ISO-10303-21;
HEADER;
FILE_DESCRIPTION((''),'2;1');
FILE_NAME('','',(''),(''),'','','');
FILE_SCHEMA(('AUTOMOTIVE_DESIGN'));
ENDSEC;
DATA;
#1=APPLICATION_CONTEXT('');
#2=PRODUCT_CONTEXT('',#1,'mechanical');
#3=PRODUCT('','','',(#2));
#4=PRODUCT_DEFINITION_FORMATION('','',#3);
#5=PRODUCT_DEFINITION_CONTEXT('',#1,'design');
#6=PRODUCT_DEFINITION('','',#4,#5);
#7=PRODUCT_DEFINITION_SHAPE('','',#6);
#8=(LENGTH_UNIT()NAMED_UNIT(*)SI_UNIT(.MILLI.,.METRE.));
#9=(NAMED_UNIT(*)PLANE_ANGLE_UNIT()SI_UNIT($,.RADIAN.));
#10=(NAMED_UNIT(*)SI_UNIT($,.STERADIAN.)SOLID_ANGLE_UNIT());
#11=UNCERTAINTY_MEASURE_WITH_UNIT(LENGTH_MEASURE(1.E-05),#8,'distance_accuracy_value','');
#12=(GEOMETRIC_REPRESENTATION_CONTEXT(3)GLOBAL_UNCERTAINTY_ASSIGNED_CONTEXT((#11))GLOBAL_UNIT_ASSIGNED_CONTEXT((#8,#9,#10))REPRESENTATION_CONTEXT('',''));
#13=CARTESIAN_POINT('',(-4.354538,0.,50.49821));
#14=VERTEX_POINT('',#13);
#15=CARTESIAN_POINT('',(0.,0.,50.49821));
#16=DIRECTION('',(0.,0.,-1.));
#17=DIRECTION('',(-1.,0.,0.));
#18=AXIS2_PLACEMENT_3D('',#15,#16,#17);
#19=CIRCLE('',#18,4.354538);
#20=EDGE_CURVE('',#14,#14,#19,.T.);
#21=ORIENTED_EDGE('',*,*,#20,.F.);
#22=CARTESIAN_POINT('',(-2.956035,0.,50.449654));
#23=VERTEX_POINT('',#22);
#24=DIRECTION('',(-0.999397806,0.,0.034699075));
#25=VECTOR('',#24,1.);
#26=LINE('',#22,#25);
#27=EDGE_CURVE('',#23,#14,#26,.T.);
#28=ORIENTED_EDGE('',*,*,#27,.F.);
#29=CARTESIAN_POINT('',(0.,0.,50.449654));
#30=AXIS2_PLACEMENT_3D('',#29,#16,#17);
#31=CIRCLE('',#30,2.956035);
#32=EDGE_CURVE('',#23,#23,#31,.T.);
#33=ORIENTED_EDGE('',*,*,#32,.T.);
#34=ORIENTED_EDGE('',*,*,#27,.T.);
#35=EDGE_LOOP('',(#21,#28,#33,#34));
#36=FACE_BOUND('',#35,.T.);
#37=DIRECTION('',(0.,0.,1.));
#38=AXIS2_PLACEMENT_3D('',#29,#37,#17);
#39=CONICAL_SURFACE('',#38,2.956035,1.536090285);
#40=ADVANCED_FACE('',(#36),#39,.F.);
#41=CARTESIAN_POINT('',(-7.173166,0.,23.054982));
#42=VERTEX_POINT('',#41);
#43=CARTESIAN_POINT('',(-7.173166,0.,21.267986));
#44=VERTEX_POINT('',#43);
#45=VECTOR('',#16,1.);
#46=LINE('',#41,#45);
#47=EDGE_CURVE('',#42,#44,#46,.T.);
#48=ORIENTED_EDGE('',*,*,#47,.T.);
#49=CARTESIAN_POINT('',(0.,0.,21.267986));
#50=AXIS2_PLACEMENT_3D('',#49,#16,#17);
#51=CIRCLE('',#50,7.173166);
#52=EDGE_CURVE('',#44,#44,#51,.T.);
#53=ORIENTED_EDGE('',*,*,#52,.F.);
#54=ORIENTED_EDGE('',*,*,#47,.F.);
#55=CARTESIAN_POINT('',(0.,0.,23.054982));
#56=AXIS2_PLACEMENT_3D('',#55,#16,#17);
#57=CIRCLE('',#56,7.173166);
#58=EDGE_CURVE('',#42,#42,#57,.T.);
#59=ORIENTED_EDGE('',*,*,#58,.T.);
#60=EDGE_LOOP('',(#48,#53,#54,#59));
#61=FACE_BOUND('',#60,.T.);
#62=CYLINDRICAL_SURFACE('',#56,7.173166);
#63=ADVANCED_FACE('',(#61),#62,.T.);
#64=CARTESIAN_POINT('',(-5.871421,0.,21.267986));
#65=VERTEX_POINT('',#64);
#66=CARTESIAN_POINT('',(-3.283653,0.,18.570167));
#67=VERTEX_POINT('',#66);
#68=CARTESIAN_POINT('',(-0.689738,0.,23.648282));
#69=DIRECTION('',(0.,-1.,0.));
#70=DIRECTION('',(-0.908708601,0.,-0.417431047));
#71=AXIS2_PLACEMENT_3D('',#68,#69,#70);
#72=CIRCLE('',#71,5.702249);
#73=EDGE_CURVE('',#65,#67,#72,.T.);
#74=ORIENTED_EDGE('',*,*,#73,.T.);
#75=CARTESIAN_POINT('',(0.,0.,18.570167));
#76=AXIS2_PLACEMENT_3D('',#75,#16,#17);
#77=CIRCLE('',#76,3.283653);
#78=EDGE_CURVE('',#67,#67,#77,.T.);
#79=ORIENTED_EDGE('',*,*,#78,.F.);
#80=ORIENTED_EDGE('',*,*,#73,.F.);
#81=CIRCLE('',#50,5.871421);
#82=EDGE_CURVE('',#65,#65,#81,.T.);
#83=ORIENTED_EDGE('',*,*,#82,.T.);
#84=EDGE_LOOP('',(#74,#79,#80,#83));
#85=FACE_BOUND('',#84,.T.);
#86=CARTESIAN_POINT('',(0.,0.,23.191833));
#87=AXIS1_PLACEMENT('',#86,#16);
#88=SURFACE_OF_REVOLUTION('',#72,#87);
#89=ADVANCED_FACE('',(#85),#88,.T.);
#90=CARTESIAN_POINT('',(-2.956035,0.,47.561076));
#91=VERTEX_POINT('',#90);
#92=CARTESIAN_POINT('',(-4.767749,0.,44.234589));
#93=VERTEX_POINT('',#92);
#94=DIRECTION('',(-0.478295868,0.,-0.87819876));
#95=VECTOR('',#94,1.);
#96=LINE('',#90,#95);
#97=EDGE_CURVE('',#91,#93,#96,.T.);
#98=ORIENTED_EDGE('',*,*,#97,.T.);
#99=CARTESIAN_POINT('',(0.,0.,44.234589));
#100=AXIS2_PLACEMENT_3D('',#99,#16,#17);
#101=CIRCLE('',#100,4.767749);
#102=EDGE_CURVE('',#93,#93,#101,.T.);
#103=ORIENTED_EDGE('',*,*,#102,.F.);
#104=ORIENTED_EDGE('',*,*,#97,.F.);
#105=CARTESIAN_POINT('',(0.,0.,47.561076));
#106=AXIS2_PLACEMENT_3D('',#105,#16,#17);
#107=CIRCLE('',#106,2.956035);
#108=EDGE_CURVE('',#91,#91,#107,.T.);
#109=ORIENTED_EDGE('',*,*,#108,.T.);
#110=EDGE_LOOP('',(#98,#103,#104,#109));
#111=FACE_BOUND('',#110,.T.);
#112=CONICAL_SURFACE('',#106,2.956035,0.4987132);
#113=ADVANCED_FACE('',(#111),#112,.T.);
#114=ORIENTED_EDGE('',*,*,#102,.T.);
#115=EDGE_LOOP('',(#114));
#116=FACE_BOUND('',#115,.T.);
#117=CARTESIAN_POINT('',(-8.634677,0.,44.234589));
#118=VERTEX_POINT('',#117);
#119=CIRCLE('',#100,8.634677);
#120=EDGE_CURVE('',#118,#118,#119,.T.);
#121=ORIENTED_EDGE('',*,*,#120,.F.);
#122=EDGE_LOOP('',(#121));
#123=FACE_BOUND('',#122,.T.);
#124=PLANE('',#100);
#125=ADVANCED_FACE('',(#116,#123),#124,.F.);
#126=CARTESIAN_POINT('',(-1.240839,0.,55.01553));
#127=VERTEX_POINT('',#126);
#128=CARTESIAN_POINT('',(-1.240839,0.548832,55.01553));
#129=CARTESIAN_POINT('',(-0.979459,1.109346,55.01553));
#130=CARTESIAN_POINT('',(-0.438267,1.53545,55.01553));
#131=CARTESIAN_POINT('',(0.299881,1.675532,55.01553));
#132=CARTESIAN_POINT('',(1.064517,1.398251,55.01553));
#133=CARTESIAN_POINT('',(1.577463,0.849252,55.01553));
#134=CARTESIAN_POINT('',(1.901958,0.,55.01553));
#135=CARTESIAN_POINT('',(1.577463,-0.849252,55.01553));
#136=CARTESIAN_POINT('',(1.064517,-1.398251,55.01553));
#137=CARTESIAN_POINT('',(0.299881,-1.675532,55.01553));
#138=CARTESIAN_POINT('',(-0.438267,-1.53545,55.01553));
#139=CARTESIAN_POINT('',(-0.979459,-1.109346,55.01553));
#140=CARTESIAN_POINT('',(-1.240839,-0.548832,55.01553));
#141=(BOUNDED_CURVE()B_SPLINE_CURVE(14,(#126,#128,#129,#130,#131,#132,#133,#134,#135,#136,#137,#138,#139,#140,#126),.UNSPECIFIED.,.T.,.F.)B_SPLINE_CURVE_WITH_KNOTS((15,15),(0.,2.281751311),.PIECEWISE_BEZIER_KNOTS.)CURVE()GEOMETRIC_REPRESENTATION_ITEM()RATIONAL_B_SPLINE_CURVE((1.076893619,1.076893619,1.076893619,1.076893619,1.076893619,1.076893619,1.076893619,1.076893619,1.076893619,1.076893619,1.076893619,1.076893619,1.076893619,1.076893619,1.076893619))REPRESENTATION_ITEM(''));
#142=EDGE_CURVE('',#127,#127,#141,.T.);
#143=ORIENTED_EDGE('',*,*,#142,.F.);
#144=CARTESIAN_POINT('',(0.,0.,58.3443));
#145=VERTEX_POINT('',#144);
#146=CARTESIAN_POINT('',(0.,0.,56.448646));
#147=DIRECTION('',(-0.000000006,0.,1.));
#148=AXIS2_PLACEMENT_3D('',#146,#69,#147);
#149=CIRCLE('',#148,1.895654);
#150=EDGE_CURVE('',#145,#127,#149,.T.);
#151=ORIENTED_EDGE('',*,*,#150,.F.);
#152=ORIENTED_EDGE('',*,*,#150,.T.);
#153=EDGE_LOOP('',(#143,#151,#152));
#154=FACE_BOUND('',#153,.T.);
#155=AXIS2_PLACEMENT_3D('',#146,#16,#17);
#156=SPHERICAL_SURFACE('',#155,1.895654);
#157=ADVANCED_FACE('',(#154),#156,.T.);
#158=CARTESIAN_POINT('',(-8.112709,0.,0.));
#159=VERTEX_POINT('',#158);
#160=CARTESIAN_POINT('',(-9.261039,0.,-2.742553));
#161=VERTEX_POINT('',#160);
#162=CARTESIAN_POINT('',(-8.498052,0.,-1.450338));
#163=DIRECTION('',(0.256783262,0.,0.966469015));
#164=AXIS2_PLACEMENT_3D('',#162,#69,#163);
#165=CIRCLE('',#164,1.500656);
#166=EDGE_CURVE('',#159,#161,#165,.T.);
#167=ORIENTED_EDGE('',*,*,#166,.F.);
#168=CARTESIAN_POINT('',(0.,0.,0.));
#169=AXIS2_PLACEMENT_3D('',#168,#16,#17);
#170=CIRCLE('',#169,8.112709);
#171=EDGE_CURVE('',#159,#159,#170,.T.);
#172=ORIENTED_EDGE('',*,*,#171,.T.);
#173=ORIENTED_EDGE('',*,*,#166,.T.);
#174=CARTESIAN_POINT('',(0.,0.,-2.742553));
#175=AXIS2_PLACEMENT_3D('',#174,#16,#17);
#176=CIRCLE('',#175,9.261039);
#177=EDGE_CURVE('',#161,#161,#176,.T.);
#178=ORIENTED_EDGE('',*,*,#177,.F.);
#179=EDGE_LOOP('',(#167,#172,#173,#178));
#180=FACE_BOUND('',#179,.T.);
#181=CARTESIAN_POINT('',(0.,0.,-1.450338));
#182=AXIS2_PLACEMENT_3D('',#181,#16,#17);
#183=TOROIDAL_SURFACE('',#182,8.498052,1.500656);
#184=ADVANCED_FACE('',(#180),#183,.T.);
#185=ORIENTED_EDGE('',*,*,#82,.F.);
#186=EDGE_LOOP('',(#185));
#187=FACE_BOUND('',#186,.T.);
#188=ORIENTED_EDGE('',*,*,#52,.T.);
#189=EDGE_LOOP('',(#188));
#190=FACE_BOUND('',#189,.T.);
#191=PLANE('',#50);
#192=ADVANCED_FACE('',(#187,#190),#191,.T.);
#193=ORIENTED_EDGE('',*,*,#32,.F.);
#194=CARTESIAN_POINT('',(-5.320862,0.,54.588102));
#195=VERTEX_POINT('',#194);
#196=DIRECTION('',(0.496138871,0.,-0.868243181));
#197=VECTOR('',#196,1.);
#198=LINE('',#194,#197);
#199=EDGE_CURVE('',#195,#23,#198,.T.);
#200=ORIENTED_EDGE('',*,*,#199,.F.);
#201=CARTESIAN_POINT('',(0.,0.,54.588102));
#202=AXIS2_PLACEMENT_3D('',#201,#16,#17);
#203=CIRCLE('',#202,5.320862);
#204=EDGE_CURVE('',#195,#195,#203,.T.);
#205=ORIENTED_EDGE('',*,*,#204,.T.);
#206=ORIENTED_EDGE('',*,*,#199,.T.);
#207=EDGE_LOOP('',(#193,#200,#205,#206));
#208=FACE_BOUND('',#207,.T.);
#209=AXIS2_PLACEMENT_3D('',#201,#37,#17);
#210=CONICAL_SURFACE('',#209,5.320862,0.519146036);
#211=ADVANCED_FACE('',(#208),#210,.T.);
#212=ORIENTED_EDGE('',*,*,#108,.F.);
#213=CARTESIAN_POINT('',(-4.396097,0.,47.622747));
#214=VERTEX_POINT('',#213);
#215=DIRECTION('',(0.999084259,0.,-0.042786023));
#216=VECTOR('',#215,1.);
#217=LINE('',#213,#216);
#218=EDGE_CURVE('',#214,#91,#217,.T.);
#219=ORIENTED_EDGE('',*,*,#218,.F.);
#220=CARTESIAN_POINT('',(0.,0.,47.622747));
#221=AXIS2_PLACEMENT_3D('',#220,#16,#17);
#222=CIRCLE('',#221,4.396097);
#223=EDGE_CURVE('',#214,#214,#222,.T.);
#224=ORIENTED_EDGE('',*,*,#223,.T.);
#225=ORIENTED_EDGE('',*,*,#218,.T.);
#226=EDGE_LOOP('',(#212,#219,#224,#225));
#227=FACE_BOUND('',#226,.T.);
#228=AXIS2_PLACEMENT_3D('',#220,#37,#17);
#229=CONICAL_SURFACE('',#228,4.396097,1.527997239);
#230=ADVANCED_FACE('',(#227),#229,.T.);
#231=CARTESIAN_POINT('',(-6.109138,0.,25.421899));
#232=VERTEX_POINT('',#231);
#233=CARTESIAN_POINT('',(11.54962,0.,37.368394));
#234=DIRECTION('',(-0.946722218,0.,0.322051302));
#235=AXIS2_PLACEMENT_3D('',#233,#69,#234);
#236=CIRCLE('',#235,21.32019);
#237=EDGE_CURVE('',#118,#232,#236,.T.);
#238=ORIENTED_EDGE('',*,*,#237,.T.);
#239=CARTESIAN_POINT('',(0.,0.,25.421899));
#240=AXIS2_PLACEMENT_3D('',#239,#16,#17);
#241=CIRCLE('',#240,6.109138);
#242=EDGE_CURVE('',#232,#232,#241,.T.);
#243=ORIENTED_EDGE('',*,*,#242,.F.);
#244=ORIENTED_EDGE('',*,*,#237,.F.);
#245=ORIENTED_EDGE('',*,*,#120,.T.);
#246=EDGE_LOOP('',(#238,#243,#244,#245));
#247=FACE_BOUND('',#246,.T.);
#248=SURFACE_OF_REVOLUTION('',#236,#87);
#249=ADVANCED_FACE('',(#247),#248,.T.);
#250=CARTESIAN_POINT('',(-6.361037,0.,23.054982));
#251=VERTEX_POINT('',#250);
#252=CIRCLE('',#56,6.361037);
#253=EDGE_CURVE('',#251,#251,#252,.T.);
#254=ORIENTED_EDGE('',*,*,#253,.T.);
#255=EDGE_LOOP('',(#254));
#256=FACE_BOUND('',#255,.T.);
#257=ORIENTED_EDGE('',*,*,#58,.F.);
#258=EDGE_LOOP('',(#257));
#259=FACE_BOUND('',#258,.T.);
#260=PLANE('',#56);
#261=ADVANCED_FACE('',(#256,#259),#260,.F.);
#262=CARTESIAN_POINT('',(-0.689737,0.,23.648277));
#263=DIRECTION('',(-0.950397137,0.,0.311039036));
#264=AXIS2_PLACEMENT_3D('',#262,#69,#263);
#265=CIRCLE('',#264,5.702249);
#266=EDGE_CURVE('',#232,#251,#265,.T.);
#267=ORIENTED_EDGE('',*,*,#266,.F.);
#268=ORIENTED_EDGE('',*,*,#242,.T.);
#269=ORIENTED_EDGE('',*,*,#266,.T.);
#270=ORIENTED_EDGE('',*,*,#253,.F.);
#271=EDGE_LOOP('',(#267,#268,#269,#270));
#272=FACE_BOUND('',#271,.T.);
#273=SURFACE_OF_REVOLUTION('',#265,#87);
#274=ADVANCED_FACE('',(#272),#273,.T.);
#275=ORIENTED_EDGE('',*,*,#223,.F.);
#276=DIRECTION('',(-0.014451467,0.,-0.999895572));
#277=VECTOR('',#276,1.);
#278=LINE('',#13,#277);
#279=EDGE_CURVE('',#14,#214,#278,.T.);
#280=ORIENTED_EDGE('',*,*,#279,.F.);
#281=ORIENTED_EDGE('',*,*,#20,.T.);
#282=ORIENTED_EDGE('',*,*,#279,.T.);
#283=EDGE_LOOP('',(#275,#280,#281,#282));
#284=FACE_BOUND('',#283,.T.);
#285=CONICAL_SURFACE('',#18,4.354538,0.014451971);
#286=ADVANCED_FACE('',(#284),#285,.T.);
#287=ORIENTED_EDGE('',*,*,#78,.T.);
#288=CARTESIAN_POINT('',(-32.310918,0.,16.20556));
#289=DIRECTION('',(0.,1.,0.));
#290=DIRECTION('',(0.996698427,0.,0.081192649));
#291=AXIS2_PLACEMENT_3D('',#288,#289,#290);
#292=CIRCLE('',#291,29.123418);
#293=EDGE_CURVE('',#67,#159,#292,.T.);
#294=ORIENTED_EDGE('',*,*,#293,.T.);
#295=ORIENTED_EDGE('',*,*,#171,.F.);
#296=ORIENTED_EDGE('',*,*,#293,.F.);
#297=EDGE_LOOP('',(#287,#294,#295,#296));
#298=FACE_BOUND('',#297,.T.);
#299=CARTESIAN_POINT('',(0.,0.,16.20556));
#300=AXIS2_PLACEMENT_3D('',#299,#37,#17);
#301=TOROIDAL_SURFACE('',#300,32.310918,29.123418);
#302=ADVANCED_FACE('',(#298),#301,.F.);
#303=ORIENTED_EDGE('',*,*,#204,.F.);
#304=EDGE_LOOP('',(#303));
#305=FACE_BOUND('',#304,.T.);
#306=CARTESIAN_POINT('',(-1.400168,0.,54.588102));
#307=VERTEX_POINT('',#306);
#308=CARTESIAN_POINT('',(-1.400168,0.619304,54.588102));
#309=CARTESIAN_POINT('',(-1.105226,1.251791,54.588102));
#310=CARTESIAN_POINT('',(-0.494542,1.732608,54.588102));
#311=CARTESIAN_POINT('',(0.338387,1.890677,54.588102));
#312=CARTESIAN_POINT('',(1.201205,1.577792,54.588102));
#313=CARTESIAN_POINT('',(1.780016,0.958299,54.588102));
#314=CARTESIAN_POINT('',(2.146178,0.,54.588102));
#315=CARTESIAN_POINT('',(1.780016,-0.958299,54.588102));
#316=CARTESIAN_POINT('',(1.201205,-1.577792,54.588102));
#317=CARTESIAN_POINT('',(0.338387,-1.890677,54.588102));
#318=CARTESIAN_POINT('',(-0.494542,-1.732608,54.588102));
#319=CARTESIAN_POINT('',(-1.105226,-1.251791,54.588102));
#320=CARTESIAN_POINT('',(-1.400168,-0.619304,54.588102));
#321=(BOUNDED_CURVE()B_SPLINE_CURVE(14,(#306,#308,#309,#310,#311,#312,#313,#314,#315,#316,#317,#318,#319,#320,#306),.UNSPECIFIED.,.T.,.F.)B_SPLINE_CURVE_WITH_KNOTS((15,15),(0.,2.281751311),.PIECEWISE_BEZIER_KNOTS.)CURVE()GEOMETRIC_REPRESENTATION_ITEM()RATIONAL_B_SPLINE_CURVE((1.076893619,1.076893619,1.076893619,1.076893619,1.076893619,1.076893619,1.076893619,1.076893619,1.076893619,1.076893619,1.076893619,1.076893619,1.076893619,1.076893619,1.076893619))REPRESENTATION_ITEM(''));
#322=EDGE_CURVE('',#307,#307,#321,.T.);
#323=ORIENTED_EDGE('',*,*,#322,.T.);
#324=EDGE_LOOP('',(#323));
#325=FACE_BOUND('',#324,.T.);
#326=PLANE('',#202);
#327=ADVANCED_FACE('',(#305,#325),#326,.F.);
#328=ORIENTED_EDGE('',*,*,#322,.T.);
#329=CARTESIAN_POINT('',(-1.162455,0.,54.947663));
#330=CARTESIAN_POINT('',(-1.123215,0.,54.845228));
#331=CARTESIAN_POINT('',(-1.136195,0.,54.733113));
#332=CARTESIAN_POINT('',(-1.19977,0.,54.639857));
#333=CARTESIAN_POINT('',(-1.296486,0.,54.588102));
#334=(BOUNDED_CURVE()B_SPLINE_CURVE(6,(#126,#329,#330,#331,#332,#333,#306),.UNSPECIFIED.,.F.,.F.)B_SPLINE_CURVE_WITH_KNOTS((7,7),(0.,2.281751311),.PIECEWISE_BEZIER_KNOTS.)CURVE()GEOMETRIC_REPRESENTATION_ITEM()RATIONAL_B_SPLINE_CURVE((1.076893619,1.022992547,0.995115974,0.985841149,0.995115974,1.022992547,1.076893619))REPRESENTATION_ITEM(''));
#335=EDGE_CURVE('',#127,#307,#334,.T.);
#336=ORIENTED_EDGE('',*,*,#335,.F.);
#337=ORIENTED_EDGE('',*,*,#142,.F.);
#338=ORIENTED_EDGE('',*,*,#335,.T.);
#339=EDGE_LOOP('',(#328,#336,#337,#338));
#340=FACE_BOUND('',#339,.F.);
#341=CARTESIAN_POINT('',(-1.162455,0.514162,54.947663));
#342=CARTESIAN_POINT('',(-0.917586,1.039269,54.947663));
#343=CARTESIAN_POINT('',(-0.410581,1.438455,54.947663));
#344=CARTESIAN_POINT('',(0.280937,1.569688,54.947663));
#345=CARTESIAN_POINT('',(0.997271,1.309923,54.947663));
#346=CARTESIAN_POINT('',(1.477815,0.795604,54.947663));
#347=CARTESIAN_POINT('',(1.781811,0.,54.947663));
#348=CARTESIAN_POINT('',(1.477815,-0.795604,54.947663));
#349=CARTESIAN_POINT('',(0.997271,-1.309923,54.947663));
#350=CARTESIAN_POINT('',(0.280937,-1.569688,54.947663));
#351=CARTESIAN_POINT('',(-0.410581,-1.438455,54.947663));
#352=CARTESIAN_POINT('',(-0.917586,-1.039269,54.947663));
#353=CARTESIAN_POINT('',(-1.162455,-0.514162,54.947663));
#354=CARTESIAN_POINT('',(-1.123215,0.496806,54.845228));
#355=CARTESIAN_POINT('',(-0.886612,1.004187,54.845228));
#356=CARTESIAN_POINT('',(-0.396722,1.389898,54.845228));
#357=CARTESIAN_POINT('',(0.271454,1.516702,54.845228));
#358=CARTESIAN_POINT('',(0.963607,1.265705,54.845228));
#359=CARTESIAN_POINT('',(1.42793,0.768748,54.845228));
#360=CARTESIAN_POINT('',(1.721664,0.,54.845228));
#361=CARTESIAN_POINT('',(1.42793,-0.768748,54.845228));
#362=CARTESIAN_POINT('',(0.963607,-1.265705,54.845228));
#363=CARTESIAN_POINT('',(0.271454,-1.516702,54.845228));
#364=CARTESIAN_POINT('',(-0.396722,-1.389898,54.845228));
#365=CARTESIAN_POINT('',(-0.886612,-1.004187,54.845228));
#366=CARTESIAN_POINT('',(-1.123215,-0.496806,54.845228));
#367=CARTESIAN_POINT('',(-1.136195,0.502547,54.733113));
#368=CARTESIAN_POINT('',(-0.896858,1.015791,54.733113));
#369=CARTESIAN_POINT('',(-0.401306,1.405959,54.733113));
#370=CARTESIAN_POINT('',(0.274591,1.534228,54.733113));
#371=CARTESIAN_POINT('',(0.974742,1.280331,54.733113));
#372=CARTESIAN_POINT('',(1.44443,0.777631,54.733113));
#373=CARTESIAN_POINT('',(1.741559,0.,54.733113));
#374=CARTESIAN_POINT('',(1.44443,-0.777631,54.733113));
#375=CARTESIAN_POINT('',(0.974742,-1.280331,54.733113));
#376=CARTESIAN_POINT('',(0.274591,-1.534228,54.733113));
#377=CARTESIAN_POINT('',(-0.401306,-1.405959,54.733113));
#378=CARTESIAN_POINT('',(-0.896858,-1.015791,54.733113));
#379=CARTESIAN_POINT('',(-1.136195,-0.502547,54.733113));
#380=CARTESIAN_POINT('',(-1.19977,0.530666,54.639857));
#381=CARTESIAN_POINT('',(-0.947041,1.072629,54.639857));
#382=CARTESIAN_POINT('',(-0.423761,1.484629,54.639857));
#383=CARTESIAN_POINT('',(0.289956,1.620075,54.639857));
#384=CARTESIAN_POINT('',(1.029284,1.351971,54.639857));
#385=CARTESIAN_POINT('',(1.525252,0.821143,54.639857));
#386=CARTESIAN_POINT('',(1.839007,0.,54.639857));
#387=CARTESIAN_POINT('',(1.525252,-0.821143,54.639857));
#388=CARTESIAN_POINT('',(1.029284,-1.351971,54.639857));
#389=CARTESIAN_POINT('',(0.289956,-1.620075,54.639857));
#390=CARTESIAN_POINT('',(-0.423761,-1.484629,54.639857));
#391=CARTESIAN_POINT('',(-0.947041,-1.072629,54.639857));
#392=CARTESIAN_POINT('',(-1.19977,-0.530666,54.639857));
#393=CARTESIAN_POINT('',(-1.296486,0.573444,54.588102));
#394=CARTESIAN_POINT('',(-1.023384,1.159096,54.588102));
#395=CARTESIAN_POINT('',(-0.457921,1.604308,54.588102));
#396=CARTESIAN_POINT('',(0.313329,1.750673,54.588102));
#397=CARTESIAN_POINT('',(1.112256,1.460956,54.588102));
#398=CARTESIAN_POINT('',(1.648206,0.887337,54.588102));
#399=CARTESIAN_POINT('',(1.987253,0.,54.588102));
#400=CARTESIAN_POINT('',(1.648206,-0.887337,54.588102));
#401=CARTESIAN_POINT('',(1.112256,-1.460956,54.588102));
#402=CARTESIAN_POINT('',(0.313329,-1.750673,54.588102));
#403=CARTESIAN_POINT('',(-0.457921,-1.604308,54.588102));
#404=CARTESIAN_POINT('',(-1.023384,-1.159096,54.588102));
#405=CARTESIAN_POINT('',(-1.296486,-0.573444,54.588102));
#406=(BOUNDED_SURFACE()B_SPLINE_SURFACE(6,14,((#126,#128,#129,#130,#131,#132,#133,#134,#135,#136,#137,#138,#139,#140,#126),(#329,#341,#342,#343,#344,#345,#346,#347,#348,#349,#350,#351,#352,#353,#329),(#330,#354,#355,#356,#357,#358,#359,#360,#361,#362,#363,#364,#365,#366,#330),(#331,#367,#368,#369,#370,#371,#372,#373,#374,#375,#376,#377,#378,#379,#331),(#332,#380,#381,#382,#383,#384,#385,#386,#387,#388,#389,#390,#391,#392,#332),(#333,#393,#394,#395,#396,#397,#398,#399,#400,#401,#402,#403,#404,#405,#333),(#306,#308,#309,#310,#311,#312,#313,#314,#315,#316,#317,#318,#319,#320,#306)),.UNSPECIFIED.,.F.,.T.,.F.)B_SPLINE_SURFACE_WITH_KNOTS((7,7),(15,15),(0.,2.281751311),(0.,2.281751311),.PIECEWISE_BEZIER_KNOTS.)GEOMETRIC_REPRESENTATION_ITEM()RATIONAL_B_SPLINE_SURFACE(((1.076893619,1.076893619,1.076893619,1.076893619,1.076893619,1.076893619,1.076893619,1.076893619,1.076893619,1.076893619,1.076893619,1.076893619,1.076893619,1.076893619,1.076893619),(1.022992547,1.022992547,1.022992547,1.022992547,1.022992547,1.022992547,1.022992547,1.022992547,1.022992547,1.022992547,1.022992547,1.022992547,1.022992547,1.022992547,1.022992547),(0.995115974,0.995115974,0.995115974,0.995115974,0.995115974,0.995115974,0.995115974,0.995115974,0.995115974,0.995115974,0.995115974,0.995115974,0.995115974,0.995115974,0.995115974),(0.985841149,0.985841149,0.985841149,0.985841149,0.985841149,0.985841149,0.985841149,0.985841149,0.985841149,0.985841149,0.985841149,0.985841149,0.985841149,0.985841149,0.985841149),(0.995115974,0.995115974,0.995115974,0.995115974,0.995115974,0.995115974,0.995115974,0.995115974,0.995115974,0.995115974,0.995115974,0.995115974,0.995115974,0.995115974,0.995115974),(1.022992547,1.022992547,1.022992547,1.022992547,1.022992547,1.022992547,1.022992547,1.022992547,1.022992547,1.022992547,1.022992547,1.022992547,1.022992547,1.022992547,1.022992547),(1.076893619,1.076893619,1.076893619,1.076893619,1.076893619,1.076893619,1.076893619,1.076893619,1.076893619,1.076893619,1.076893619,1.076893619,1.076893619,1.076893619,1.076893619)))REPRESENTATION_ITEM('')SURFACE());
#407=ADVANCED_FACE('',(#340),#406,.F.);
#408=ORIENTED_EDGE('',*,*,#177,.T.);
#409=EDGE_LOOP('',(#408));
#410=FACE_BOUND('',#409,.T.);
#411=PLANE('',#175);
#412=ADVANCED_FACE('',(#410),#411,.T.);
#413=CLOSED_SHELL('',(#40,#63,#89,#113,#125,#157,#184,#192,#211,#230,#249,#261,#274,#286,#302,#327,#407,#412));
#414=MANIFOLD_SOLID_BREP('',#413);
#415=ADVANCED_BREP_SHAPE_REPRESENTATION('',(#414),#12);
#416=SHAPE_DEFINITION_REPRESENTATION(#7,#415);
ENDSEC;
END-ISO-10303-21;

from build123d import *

# Parameters (mm, degrees)
F2_R = 0.24341


with BuildPart() as f1:
    # F0 (on Front) → F1 (revolve)
    with BuildSketch(Plane.XZ):
        with BuildLine():
            Line((0, 54.552992), (0, 54.588102))
            Line((0, 54.588102), (-0.363152, 54.588102))
            ThreePointArc((-0.363152, 54.588102), (-0.182423, 54.56179), (0, 54.552992))
        make_face()
        with BuildLine():
            Line((0, 54.588102), (0, 58.3443))
            ThreePointArc((0, 58.3443), (-1.886856, 56.631069), (-0.363152, 54.588102))
            Line((-0.363152, 54.588102), (0, 54.588102))
        make_face()
        with BuildLine():
            ThreePointArc((0, 54.552992), (-0.182423, 54.56179), (-0.363152, 54.588102))
            Line((-0.363152, 54.588102), (-5.320862, 54.588102))
            Line((-5.320862, 54.588102), (-2.956035, 50.449654))
            Line((-2.956035, 50.449654), (-4.354538, 50.49821))
            Line((-4.354538, 50.49821), (-4.396097, 47.622747))
            Line((-4.396097, 47.622747), (-2.956035, 47.561076))
            Line((-2.956035, 47.561076), (-4.767749, 44.234589))
            Line((-4.767749, 44.234589), (-8.634677, 44.234589))
            ThreePointArc((-8.634677, 44.234589), (-9.58101, 34.531679), (-6.109138, 25.421899))
            ThreePointArc((-6.109138, 25.421899), (-6.359965, 24.251731), (-6.361037, 23.054982))
            Line((-6.361037, 23.054982), (-7.173166, 23.054982))
            Line((-7.173166, 23.054982), (-7.173166, 21.267986))
            Line((-7.173166, 21.267986), (-5.871421, 21.267986))
            ThreePointArc((-5.871421, 21.267986), (-4.804897, 19.70099), (-3.283653, 18.570167))
            ThreePointArc((-3.283653, 18.570167), (-4.124919, 8.875966), (-8.112709, 0))
            ThreePointArc((-8.112709, 0), (-9.882268, -0.870755), (-9.261039, -2.742553))
            Line((-9.261039, -2.742553), (0, -2.742553))
            Line((0, -2.742553), (0, 54.552992))
        make_face()
    revolve(axis=Axis((0, 0, 23.191833), (0, 0, -1)))

    # F2
    f2_edges = [f1.edges().sort_by_distance(p)[0] for p in [
        (0.363152, 0, 54.588102),
    ]]
    fillet(f2_edges, radius=F2_R)


solid = f1.part
